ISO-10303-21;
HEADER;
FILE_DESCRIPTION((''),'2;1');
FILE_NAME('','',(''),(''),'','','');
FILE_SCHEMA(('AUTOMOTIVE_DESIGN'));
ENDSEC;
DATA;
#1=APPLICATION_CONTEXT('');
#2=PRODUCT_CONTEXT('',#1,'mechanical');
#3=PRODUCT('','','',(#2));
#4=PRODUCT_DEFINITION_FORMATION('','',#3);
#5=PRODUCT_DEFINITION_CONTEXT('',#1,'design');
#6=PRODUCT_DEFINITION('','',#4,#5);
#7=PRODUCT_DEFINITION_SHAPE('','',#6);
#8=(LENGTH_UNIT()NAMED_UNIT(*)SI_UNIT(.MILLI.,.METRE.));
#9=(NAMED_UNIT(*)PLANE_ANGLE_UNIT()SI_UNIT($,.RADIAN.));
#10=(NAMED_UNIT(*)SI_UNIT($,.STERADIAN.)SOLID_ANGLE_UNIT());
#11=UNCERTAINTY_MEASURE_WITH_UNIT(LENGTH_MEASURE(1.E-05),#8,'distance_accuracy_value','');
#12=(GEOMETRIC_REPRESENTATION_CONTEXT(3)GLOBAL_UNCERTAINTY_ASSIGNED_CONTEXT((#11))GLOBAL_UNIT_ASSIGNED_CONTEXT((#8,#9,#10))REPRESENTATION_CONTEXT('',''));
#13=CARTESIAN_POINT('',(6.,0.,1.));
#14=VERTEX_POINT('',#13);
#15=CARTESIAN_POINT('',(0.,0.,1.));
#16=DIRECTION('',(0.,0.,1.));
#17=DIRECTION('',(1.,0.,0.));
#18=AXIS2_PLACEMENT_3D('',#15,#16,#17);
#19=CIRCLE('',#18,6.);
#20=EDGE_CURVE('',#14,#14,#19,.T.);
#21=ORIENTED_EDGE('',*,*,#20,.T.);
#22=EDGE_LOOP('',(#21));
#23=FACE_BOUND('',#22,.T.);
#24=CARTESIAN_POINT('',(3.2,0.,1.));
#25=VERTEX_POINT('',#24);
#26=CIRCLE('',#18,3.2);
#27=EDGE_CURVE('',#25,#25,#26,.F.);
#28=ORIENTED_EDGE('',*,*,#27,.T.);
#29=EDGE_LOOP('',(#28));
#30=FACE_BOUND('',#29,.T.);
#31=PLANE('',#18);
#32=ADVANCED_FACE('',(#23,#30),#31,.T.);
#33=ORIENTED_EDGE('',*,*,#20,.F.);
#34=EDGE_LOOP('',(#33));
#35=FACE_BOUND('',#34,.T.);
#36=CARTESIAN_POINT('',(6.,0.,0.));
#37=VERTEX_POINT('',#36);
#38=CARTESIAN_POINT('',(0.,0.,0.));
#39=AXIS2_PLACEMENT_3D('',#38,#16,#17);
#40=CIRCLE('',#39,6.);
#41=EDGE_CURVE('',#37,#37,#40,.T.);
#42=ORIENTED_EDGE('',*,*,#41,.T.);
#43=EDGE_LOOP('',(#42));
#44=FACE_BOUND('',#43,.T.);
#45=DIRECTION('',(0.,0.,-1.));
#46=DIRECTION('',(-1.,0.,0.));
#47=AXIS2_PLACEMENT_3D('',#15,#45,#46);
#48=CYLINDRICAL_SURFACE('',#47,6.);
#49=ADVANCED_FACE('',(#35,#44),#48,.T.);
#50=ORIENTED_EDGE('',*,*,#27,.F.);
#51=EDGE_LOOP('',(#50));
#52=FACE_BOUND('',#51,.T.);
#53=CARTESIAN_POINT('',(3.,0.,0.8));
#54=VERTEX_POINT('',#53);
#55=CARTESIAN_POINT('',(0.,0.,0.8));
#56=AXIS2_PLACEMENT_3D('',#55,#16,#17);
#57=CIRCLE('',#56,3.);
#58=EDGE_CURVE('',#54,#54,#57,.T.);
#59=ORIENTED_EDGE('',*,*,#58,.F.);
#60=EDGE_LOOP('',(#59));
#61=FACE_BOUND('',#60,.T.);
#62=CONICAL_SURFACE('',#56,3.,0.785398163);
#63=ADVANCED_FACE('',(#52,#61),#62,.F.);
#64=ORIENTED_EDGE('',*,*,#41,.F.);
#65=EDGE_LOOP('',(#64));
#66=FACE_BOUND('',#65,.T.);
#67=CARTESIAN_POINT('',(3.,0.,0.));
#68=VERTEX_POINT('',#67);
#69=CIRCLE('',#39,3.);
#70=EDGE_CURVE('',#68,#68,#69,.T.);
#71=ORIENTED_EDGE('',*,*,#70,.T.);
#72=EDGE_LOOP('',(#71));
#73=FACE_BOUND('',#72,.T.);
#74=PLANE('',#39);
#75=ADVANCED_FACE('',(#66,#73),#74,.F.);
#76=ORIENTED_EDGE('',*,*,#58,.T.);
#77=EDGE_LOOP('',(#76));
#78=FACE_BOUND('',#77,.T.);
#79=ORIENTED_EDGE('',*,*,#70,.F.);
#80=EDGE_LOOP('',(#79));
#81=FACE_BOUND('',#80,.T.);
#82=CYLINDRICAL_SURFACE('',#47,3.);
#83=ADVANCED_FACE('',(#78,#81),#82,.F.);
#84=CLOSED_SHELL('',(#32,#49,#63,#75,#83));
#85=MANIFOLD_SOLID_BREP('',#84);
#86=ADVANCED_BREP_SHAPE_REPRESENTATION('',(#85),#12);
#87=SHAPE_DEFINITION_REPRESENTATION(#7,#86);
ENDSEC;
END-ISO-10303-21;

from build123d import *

# Parameters (mm, degrees)
SKETCH_1_R      = 6
SKETCH_1_R_2    = 3
EXTRUDE_1_DEPTH = 1
CHAMFER_1_SIZE  = 0.2


with BuildPart() as part:
    # Эскиз1 → Бобышка-Вытянуть1 (new body)
    with BuildSketch(Plane.XY):
        Circle(SKETCH_1_R)
        Circle(SKETCH_1_R_2, mode=Mode.SUBTRACT)
    extrude(amount=EXTRUDE_1_DEPTH)

    # Фаска1
    chamfer_1_edges = [part.edges().sort_by_distance(p)[0] for p in [
        (-3, 0, 1),
    ]]
    chamfer(chamfer_1_edges, length=CHAMFER_1_SIZE)


solid = part.part
